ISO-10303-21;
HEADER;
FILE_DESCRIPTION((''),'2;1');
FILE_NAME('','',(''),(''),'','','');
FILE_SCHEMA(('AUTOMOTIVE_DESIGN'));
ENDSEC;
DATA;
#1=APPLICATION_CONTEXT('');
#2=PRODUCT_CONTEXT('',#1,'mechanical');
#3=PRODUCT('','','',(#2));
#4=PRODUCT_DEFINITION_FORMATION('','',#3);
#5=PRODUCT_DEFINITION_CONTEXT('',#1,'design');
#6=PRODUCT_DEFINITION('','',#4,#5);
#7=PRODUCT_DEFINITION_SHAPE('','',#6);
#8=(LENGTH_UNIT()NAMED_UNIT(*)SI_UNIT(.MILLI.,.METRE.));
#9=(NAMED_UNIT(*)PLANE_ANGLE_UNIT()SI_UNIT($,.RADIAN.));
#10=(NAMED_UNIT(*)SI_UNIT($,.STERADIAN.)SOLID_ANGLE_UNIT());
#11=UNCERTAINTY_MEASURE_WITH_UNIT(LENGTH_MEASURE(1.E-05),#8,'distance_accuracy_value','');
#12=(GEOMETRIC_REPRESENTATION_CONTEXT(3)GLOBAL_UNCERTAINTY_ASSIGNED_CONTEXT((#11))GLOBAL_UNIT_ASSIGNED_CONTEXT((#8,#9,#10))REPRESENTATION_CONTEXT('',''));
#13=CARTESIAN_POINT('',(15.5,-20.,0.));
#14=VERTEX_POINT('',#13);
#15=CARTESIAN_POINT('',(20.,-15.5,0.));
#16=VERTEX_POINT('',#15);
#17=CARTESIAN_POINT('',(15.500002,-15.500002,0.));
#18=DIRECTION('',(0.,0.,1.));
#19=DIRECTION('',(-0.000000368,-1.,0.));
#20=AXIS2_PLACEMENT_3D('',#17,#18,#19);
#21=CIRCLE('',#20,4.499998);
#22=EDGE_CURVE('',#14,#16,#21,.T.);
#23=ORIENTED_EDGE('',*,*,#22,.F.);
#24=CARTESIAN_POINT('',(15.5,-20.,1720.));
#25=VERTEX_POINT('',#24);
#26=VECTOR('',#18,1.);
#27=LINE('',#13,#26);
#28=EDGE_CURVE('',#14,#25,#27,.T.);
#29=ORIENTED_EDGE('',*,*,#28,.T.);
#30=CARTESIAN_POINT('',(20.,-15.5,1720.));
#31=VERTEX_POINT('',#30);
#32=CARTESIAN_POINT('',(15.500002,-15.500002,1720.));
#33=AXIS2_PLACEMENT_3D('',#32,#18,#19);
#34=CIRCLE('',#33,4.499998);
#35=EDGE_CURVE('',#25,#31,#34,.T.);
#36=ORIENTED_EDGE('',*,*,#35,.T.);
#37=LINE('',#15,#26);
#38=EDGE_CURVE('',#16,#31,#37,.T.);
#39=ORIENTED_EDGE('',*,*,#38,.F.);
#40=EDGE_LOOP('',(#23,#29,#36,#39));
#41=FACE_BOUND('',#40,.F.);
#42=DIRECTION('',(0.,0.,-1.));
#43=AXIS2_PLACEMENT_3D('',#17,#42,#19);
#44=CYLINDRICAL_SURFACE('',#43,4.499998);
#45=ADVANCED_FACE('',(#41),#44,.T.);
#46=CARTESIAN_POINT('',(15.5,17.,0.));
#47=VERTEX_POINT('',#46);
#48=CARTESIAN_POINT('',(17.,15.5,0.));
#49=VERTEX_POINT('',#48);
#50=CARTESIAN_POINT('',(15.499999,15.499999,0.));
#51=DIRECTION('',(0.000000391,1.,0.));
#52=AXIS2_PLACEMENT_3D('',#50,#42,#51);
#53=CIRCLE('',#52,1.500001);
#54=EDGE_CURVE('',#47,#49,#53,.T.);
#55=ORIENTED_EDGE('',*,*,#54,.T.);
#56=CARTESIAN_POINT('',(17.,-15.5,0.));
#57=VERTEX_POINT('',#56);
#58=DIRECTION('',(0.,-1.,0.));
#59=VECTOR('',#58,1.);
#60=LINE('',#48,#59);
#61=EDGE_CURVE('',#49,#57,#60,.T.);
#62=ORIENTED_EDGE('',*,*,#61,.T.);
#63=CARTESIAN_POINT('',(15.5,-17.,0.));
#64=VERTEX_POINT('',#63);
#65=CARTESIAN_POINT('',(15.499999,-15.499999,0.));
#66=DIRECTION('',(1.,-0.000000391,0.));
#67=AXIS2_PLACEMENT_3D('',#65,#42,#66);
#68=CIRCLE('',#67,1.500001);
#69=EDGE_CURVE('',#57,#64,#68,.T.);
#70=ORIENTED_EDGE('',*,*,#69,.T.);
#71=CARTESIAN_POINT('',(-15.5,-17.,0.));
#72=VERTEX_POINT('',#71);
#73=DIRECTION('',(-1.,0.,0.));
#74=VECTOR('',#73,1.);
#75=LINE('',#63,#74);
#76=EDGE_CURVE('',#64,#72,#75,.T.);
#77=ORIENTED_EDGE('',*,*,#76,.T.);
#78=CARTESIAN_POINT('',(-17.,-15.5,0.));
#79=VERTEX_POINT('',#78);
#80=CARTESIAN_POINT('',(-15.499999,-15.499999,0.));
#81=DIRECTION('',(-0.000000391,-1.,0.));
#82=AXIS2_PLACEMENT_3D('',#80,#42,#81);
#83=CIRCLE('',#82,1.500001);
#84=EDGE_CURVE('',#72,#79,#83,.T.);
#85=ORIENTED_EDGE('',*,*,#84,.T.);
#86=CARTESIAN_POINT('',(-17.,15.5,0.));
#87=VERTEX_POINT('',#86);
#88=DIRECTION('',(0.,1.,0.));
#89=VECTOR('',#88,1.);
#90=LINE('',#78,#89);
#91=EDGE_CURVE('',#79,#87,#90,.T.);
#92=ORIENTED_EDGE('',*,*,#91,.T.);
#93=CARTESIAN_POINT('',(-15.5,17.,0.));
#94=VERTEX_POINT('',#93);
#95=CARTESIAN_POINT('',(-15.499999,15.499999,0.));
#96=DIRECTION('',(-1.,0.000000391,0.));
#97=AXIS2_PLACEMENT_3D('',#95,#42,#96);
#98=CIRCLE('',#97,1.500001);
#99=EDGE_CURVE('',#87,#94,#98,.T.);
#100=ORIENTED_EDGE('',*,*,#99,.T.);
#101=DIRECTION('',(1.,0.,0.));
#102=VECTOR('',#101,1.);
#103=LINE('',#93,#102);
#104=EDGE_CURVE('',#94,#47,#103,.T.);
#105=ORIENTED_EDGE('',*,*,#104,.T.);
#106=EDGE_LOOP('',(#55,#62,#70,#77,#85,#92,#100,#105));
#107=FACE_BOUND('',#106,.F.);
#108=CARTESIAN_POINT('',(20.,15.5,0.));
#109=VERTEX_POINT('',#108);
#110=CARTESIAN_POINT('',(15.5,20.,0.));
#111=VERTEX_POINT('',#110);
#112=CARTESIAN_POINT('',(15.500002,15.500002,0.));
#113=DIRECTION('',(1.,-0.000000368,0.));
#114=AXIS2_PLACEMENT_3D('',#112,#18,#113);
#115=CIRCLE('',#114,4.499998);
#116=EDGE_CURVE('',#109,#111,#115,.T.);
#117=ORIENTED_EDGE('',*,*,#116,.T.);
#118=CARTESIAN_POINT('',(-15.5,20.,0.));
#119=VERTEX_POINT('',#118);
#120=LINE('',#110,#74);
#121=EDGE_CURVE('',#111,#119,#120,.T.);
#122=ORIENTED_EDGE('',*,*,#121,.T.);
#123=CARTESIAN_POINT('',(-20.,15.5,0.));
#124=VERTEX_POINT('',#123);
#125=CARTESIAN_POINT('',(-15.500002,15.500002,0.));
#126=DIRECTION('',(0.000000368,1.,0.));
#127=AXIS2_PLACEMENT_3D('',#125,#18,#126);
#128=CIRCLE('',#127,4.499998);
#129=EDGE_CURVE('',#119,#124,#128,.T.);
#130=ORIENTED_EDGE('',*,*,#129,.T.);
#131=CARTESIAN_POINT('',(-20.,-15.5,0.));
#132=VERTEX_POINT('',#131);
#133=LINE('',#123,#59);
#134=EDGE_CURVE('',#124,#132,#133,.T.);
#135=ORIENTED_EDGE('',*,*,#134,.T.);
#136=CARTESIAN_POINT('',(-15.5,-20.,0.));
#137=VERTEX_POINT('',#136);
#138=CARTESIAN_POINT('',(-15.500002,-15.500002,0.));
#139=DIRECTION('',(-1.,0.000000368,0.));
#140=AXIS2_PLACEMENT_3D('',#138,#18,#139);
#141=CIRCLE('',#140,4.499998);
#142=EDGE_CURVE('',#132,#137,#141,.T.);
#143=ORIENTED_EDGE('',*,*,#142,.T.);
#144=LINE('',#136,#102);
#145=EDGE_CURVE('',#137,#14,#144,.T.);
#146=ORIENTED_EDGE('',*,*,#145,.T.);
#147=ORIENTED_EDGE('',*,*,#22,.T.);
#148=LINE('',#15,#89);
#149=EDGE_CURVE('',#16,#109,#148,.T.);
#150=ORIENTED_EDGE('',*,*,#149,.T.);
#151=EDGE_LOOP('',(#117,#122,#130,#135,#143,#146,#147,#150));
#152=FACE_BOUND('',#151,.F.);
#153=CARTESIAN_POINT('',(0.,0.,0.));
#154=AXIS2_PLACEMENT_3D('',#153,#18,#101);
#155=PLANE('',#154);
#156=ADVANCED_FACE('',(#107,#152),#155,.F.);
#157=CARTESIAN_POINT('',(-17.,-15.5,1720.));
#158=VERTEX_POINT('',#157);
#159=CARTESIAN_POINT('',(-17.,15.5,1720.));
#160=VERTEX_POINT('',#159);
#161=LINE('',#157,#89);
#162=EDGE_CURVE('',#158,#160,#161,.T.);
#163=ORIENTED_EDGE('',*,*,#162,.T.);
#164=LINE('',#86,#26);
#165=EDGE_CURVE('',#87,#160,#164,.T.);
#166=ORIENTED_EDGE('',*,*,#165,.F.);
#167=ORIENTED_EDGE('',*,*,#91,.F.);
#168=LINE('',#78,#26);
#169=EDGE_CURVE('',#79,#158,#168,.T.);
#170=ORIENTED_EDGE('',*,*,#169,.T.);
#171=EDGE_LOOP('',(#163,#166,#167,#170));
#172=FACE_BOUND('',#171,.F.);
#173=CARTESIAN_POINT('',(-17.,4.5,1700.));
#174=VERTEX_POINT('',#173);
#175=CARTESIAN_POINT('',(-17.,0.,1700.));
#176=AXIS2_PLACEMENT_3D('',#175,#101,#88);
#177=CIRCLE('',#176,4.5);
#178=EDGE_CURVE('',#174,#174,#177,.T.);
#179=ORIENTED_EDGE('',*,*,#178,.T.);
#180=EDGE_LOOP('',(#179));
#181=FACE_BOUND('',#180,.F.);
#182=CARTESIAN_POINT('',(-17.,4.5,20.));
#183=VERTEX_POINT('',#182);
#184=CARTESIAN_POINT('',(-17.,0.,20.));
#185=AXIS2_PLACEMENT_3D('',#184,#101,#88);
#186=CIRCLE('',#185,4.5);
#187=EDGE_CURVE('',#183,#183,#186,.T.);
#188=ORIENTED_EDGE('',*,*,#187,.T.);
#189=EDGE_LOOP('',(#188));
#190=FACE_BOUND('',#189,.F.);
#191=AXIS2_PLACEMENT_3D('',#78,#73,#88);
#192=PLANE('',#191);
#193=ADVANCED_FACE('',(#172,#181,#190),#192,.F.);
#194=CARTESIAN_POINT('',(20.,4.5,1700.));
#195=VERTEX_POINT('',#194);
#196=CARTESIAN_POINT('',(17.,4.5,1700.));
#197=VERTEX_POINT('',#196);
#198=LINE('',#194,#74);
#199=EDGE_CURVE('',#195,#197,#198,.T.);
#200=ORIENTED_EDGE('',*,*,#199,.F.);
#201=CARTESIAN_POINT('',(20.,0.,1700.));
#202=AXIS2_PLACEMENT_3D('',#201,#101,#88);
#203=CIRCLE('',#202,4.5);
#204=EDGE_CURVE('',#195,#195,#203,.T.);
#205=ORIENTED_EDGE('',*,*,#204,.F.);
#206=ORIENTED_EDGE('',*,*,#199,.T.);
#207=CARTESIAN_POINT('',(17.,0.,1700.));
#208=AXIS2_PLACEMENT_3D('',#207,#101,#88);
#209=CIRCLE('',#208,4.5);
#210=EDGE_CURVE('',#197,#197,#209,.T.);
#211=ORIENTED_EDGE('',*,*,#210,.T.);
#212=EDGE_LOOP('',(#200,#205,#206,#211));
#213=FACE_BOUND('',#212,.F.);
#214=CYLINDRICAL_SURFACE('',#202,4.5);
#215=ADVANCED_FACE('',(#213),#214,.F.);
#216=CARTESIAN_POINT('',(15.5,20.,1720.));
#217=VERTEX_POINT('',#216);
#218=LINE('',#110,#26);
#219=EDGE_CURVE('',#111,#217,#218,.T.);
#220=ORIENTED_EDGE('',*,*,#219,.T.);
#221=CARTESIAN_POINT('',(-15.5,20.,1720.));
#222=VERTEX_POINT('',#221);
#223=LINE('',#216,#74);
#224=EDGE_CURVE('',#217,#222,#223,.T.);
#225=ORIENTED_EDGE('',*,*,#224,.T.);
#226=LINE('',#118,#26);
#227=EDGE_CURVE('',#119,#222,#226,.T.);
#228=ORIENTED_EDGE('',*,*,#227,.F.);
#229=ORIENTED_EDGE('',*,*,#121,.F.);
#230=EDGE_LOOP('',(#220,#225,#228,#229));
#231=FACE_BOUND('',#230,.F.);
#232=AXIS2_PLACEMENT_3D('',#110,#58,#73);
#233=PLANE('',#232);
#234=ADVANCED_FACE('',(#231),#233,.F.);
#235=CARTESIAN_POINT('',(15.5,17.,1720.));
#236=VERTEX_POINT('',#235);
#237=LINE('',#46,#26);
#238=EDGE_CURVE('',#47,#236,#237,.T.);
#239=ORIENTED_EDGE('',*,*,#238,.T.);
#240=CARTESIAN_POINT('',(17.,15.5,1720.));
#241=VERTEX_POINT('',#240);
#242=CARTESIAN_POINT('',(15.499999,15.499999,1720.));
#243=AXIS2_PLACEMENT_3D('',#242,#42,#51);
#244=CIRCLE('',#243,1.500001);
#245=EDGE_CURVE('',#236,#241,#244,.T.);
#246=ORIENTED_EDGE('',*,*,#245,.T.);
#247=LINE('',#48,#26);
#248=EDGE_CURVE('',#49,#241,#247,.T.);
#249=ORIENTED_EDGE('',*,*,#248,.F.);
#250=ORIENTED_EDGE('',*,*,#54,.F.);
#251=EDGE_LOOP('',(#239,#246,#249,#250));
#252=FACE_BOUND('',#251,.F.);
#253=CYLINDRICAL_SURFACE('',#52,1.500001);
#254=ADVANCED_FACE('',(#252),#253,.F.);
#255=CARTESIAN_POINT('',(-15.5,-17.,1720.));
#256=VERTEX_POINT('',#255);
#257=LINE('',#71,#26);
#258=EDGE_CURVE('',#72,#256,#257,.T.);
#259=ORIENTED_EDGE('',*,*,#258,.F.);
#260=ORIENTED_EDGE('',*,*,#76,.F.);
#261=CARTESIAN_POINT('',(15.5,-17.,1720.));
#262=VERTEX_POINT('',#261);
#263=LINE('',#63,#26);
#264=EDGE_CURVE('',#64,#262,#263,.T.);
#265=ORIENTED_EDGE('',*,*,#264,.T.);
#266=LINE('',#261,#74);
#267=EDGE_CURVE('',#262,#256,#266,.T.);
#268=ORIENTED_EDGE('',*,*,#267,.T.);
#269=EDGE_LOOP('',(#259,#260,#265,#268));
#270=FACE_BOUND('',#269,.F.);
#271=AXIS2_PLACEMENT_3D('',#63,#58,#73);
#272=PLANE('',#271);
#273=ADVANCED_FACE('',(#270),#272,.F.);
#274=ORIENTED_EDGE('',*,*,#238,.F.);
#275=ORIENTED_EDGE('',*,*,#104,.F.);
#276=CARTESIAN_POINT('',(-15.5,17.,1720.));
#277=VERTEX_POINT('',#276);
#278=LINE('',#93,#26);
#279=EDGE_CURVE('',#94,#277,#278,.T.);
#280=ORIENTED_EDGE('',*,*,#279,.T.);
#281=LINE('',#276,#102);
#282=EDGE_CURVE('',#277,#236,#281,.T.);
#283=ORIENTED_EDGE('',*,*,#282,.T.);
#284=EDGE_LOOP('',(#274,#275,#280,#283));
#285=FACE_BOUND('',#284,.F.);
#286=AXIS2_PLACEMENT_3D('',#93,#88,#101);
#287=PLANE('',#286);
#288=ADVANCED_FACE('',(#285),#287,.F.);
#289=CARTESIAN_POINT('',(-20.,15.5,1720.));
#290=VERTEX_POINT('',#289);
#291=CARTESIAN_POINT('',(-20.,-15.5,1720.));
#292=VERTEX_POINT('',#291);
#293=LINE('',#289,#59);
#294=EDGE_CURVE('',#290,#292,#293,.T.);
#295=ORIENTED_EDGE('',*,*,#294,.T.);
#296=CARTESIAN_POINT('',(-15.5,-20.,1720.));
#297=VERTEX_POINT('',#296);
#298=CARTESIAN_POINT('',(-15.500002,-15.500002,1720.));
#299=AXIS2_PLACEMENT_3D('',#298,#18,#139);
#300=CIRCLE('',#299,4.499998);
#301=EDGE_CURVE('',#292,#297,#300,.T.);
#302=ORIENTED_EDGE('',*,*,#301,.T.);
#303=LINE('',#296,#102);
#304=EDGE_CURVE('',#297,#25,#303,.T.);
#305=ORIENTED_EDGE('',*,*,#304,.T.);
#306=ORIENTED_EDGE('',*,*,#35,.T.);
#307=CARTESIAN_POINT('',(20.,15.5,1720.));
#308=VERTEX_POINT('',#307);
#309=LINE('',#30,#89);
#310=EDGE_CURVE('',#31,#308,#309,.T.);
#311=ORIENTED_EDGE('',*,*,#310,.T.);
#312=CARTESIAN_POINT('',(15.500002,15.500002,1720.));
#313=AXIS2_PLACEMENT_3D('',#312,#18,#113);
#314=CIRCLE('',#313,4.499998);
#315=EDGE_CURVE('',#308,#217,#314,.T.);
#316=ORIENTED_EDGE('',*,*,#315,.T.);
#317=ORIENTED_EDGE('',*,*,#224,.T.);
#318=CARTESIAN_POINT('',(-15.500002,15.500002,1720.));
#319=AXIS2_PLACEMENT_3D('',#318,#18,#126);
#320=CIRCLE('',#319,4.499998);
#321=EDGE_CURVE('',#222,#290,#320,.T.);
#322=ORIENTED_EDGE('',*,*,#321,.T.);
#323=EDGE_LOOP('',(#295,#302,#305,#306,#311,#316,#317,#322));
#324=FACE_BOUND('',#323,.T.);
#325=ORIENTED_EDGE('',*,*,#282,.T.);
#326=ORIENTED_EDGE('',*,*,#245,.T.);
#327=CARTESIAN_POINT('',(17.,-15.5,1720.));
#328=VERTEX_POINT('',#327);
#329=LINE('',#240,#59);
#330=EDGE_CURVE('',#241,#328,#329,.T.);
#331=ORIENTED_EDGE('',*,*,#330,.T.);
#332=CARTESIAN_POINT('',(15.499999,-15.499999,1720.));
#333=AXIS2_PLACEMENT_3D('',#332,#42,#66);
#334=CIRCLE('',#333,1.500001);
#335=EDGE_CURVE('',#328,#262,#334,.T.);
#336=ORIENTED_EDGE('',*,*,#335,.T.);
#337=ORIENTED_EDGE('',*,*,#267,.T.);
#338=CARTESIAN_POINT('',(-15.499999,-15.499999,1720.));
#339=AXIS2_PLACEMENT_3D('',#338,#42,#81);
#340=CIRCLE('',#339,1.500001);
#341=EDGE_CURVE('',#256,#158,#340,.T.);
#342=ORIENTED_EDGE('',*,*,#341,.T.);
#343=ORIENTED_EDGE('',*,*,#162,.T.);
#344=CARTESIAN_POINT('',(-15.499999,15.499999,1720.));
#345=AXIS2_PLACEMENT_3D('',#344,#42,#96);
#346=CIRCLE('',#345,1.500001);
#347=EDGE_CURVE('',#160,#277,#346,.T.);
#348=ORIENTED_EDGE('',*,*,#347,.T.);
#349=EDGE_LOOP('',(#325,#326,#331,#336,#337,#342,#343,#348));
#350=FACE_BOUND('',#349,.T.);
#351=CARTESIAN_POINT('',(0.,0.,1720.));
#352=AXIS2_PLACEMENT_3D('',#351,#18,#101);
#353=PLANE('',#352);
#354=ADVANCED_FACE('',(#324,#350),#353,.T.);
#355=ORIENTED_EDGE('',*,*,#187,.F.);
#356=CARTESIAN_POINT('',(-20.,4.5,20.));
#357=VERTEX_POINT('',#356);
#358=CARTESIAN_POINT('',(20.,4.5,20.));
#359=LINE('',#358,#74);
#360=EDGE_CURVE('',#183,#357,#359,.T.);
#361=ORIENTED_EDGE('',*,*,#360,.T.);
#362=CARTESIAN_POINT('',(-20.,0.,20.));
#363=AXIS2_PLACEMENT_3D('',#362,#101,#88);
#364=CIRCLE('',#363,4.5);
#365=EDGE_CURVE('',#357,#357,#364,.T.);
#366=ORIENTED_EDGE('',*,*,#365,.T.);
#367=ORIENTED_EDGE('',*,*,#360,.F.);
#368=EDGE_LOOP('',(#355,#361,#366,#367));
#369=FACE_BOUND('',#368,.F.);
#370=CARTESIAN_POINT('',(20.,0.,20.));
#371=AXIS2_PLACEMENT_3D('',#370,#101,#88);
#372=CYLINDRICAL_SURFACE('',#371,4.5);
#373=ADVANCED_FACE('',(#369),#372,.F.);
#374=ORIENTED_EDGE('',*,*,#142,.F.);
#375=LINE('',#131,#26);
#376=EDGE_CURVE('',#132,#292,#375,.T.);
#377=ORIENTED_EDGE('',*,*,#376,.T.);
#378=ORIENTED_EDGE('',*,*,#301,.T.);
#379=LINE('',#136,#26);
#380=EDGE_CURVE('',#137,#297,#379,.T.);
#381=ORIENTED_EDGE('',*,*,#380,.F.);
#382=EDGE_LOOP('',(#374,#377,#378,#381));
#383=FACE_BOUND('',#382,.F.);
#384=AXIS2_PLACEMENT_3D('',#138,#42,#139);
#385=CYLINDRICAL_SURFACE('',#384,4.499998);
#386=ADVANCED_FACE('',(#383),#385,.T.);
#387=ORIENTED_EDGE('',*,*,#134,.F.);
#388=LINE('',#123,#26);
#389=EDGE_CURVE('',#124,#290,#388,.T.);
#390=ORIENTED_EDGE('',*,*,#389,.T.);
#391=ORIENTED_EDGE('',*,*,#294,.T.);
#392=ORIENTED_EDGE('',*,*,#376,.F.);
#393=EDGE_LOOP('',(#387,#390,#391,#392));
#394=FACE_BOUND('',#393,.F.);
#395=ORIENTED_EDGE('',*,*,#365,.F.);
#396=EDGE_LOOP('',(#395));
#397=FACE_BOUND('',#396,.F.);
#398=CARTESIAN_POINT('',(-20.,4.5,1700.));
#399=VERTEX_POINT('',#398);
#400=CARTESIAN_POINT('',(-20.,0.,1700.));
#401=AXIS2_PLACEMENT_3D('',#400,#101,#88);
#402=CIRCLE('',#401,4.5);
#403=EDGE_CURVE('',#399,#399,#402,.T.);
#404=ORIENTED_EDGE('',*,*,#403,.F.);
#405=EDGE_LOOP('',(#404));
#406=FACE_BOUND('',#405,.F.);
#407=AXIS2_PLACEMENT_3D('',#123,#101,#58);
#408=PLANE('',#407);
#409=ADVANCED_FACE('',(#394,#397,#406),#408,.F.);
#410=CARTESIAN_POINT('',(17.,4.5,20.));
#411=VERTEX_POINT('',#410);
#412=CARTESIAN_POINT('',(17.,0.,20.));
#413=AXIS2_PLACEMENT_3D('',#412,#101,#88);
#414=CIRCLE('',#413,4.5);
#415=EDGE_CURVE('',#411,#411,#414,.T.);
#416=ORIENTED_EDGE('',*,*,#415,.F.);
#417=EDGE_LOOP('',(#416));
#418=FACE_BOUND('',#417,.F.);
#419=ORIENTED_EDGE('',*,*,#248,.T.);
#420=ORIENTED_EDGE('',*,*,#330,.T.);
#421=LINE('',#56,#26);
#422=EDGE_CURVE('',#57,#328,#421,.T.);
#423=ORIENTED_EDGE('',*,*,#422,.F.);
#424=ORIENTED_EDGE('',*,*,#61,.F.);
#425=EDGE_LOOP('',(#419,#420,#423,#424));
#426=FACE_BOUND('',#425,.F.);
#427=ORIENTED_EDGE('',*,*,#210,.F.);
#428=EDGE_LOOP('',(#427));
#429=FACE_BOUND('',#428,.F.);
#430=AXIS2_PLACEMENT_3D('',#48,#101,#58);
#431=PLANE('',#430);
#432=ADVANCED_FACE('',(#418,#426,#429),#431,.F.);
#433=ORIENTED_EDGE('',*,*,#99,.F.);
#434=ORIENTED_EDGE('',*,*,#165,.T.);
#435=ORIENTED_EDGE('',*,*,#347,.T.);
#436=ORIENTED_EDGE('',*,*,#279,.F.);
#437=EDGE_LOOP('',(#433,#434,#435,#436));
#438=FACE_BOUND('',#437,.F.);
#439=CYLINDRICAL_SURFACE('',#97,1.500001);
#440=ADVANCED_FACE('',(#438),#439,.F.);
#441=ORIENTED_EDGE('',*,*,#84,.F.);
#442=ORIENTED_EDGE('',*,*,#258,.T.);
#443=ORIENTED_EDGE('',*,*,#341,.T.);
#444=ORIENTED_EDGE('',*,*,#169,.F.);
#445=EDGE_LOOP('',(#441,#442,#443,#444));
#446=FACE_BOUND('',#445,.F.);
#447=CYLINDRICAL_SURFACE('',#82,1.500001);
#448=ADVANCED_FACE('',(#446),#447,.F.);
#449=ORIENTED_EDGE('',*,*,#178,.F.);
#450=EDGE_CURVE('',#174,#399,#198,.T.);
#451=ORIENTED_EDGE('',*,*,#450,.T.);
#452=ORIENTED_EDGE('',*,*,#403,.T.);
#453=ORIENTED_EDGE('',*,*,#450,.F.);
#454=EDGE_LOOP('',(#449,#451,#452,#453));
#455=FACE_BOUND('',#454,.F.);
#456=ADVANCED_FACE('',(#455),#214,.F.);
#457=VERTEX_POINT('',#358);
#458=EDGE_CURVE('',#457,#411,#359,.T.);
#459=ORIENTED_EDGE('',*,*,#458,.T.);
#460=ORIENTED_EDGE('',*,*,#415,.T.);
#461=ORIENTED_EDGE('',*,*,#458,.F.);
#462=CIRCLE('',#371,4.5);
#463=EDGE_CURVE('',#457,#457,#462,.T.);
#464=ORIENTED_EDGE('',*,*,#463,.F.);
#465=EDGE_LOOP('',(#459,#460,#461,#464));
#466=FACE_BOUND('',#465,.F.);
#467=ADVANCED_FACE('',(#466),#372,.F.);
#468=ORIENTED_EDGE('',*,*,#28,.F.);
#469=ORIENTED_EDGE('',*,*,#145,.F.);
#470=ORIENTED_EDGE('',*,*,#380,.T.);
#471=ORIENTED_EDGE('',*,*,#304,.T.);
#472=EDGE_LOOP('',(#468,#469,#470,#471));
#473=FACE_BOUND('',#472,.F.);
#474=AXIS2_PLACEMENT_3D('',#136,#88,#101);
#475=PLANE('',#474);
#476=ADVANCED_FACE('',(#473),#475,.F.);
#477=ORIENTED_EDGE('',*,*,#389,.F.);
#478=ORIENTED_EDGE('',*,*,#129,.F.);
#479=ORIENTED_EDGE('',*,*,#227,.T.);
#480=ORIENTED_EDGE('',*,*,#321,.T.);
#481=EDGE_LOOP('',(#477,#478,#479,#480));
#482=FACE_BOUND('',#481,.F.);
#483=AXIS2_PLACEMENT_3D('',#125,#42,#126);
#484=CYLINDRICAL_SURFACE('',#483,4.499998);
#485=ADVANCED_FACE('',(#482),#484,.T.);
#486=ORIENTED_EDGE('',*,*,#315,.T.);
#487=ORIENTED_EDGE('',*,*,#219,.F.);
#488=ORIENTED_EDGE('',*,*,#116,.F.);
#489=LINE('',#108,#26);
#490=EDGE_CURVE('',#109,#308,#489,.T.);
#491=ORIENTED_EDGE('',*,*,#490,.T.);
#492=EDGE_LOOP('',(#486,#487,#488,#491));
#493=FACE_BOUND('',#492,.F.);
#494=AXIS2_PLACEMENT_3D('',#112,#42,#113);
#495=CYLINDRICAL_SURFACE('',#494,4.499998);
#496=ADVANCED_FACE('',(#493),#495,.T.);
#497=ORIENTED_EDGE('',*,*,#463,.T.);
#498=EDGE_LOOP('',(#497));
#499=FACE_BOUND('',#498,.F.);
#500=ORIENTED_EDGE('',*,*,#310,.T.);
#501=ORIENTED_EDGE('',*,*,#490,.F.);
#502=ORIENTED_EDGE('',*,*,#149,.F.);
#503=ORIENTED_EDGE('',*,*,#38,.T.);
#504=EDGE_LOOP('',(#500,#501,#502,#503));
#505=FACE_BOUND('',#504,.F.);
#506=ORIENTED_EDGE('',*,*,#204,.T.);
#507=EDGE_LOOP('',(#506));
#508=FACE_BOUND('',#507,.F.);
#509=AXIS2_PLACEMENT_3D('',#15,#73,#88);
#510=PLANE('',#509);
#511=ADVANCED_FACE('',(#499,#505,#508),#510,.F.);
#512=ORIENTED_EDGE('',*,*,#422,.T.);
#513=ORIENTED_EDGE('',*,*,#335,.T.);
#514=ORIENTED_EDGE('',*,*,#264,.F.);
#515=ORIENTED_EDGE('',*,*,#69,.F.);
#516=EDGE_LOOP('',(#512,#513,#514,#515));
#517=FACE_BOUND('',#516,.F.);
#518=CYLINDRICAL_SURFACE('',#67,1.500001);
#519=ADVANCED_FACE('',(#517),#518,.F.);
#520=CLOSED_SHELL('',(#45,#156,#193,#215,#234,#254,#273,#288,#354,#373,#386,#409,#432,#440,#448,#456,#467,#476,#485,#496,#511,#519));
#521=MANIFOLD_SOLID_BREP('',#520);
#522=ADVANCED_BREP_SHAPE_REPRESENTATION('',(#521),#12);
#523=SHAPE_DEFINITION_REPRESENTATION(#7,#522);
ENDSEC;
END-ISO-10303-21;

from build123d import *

# Parameters (mm, degrees)
F1_DEPTH = 1720
F2_R     = 4.5
F3_DEPTH = 40.001


with BuildPart() as f1:
    # F0 (on Top) → F1 (new body)
    with BuildSketch(Plane.XY):
        with BuildLine():
            Line((-15.5, -20), (15.5, -20))
            ThreePointArc((15.5, -20), (18.681981, -18.681981), (20, -15.5))
            Line((20, -15.5), (20, 15.5))
            ThreePointArc((20, 15.5), (18.681981, 18.681981), (15.5, 20))
            Line((15.5, 20), (-15.5, 20))
            ThreePointArc((-15.5, 20), (-18.681981, 18.681981), (-20, 15.5))
            Line((-20, 15.5), (-20, -15.5))
            ThreePointArc((-20, -15.5), (-18.681981, -18.681981), (-15.5, -20))
        make_face()
        with BuildLine():
            ThreePointArc((15.5, 17), (16.56066, 16.56066), (17, 15.5))
            Line((17, 15.5), (17, -15.5))
            ThreePointArc((17, -15.5), (16.56066, -16.56066), (15.5, -17))
            Line((15.5, -17), (-15.5, -17))
            ThreePointArc((-15.5, -17), (-16.56066, -16.56066), (-17, -15.5))
            Line((-17, -15.5), (-17, 15.5))
            ThreePointArc((-17, 15.5), (-16.56066, 16.56066), (-15.5, 17))
            Line((-15.5, 17), (15.5, 17))
        make_face(mode=Mode.SUBTRACT)
    extrude(amount=F1_DEPTH)

    # F2 (on face) → F3 (cut, through all)
    with BuildSketch(Plane.YZ.offset(20)):
        with Locations((0, 1700)):
            Circle(F2_R)
        with Locations((0, 20)):
            Circle(F2_R)
    extrude(amount=-F3_DEPTH, mode=Mode.SUBTRACT)


solid = f1.part
